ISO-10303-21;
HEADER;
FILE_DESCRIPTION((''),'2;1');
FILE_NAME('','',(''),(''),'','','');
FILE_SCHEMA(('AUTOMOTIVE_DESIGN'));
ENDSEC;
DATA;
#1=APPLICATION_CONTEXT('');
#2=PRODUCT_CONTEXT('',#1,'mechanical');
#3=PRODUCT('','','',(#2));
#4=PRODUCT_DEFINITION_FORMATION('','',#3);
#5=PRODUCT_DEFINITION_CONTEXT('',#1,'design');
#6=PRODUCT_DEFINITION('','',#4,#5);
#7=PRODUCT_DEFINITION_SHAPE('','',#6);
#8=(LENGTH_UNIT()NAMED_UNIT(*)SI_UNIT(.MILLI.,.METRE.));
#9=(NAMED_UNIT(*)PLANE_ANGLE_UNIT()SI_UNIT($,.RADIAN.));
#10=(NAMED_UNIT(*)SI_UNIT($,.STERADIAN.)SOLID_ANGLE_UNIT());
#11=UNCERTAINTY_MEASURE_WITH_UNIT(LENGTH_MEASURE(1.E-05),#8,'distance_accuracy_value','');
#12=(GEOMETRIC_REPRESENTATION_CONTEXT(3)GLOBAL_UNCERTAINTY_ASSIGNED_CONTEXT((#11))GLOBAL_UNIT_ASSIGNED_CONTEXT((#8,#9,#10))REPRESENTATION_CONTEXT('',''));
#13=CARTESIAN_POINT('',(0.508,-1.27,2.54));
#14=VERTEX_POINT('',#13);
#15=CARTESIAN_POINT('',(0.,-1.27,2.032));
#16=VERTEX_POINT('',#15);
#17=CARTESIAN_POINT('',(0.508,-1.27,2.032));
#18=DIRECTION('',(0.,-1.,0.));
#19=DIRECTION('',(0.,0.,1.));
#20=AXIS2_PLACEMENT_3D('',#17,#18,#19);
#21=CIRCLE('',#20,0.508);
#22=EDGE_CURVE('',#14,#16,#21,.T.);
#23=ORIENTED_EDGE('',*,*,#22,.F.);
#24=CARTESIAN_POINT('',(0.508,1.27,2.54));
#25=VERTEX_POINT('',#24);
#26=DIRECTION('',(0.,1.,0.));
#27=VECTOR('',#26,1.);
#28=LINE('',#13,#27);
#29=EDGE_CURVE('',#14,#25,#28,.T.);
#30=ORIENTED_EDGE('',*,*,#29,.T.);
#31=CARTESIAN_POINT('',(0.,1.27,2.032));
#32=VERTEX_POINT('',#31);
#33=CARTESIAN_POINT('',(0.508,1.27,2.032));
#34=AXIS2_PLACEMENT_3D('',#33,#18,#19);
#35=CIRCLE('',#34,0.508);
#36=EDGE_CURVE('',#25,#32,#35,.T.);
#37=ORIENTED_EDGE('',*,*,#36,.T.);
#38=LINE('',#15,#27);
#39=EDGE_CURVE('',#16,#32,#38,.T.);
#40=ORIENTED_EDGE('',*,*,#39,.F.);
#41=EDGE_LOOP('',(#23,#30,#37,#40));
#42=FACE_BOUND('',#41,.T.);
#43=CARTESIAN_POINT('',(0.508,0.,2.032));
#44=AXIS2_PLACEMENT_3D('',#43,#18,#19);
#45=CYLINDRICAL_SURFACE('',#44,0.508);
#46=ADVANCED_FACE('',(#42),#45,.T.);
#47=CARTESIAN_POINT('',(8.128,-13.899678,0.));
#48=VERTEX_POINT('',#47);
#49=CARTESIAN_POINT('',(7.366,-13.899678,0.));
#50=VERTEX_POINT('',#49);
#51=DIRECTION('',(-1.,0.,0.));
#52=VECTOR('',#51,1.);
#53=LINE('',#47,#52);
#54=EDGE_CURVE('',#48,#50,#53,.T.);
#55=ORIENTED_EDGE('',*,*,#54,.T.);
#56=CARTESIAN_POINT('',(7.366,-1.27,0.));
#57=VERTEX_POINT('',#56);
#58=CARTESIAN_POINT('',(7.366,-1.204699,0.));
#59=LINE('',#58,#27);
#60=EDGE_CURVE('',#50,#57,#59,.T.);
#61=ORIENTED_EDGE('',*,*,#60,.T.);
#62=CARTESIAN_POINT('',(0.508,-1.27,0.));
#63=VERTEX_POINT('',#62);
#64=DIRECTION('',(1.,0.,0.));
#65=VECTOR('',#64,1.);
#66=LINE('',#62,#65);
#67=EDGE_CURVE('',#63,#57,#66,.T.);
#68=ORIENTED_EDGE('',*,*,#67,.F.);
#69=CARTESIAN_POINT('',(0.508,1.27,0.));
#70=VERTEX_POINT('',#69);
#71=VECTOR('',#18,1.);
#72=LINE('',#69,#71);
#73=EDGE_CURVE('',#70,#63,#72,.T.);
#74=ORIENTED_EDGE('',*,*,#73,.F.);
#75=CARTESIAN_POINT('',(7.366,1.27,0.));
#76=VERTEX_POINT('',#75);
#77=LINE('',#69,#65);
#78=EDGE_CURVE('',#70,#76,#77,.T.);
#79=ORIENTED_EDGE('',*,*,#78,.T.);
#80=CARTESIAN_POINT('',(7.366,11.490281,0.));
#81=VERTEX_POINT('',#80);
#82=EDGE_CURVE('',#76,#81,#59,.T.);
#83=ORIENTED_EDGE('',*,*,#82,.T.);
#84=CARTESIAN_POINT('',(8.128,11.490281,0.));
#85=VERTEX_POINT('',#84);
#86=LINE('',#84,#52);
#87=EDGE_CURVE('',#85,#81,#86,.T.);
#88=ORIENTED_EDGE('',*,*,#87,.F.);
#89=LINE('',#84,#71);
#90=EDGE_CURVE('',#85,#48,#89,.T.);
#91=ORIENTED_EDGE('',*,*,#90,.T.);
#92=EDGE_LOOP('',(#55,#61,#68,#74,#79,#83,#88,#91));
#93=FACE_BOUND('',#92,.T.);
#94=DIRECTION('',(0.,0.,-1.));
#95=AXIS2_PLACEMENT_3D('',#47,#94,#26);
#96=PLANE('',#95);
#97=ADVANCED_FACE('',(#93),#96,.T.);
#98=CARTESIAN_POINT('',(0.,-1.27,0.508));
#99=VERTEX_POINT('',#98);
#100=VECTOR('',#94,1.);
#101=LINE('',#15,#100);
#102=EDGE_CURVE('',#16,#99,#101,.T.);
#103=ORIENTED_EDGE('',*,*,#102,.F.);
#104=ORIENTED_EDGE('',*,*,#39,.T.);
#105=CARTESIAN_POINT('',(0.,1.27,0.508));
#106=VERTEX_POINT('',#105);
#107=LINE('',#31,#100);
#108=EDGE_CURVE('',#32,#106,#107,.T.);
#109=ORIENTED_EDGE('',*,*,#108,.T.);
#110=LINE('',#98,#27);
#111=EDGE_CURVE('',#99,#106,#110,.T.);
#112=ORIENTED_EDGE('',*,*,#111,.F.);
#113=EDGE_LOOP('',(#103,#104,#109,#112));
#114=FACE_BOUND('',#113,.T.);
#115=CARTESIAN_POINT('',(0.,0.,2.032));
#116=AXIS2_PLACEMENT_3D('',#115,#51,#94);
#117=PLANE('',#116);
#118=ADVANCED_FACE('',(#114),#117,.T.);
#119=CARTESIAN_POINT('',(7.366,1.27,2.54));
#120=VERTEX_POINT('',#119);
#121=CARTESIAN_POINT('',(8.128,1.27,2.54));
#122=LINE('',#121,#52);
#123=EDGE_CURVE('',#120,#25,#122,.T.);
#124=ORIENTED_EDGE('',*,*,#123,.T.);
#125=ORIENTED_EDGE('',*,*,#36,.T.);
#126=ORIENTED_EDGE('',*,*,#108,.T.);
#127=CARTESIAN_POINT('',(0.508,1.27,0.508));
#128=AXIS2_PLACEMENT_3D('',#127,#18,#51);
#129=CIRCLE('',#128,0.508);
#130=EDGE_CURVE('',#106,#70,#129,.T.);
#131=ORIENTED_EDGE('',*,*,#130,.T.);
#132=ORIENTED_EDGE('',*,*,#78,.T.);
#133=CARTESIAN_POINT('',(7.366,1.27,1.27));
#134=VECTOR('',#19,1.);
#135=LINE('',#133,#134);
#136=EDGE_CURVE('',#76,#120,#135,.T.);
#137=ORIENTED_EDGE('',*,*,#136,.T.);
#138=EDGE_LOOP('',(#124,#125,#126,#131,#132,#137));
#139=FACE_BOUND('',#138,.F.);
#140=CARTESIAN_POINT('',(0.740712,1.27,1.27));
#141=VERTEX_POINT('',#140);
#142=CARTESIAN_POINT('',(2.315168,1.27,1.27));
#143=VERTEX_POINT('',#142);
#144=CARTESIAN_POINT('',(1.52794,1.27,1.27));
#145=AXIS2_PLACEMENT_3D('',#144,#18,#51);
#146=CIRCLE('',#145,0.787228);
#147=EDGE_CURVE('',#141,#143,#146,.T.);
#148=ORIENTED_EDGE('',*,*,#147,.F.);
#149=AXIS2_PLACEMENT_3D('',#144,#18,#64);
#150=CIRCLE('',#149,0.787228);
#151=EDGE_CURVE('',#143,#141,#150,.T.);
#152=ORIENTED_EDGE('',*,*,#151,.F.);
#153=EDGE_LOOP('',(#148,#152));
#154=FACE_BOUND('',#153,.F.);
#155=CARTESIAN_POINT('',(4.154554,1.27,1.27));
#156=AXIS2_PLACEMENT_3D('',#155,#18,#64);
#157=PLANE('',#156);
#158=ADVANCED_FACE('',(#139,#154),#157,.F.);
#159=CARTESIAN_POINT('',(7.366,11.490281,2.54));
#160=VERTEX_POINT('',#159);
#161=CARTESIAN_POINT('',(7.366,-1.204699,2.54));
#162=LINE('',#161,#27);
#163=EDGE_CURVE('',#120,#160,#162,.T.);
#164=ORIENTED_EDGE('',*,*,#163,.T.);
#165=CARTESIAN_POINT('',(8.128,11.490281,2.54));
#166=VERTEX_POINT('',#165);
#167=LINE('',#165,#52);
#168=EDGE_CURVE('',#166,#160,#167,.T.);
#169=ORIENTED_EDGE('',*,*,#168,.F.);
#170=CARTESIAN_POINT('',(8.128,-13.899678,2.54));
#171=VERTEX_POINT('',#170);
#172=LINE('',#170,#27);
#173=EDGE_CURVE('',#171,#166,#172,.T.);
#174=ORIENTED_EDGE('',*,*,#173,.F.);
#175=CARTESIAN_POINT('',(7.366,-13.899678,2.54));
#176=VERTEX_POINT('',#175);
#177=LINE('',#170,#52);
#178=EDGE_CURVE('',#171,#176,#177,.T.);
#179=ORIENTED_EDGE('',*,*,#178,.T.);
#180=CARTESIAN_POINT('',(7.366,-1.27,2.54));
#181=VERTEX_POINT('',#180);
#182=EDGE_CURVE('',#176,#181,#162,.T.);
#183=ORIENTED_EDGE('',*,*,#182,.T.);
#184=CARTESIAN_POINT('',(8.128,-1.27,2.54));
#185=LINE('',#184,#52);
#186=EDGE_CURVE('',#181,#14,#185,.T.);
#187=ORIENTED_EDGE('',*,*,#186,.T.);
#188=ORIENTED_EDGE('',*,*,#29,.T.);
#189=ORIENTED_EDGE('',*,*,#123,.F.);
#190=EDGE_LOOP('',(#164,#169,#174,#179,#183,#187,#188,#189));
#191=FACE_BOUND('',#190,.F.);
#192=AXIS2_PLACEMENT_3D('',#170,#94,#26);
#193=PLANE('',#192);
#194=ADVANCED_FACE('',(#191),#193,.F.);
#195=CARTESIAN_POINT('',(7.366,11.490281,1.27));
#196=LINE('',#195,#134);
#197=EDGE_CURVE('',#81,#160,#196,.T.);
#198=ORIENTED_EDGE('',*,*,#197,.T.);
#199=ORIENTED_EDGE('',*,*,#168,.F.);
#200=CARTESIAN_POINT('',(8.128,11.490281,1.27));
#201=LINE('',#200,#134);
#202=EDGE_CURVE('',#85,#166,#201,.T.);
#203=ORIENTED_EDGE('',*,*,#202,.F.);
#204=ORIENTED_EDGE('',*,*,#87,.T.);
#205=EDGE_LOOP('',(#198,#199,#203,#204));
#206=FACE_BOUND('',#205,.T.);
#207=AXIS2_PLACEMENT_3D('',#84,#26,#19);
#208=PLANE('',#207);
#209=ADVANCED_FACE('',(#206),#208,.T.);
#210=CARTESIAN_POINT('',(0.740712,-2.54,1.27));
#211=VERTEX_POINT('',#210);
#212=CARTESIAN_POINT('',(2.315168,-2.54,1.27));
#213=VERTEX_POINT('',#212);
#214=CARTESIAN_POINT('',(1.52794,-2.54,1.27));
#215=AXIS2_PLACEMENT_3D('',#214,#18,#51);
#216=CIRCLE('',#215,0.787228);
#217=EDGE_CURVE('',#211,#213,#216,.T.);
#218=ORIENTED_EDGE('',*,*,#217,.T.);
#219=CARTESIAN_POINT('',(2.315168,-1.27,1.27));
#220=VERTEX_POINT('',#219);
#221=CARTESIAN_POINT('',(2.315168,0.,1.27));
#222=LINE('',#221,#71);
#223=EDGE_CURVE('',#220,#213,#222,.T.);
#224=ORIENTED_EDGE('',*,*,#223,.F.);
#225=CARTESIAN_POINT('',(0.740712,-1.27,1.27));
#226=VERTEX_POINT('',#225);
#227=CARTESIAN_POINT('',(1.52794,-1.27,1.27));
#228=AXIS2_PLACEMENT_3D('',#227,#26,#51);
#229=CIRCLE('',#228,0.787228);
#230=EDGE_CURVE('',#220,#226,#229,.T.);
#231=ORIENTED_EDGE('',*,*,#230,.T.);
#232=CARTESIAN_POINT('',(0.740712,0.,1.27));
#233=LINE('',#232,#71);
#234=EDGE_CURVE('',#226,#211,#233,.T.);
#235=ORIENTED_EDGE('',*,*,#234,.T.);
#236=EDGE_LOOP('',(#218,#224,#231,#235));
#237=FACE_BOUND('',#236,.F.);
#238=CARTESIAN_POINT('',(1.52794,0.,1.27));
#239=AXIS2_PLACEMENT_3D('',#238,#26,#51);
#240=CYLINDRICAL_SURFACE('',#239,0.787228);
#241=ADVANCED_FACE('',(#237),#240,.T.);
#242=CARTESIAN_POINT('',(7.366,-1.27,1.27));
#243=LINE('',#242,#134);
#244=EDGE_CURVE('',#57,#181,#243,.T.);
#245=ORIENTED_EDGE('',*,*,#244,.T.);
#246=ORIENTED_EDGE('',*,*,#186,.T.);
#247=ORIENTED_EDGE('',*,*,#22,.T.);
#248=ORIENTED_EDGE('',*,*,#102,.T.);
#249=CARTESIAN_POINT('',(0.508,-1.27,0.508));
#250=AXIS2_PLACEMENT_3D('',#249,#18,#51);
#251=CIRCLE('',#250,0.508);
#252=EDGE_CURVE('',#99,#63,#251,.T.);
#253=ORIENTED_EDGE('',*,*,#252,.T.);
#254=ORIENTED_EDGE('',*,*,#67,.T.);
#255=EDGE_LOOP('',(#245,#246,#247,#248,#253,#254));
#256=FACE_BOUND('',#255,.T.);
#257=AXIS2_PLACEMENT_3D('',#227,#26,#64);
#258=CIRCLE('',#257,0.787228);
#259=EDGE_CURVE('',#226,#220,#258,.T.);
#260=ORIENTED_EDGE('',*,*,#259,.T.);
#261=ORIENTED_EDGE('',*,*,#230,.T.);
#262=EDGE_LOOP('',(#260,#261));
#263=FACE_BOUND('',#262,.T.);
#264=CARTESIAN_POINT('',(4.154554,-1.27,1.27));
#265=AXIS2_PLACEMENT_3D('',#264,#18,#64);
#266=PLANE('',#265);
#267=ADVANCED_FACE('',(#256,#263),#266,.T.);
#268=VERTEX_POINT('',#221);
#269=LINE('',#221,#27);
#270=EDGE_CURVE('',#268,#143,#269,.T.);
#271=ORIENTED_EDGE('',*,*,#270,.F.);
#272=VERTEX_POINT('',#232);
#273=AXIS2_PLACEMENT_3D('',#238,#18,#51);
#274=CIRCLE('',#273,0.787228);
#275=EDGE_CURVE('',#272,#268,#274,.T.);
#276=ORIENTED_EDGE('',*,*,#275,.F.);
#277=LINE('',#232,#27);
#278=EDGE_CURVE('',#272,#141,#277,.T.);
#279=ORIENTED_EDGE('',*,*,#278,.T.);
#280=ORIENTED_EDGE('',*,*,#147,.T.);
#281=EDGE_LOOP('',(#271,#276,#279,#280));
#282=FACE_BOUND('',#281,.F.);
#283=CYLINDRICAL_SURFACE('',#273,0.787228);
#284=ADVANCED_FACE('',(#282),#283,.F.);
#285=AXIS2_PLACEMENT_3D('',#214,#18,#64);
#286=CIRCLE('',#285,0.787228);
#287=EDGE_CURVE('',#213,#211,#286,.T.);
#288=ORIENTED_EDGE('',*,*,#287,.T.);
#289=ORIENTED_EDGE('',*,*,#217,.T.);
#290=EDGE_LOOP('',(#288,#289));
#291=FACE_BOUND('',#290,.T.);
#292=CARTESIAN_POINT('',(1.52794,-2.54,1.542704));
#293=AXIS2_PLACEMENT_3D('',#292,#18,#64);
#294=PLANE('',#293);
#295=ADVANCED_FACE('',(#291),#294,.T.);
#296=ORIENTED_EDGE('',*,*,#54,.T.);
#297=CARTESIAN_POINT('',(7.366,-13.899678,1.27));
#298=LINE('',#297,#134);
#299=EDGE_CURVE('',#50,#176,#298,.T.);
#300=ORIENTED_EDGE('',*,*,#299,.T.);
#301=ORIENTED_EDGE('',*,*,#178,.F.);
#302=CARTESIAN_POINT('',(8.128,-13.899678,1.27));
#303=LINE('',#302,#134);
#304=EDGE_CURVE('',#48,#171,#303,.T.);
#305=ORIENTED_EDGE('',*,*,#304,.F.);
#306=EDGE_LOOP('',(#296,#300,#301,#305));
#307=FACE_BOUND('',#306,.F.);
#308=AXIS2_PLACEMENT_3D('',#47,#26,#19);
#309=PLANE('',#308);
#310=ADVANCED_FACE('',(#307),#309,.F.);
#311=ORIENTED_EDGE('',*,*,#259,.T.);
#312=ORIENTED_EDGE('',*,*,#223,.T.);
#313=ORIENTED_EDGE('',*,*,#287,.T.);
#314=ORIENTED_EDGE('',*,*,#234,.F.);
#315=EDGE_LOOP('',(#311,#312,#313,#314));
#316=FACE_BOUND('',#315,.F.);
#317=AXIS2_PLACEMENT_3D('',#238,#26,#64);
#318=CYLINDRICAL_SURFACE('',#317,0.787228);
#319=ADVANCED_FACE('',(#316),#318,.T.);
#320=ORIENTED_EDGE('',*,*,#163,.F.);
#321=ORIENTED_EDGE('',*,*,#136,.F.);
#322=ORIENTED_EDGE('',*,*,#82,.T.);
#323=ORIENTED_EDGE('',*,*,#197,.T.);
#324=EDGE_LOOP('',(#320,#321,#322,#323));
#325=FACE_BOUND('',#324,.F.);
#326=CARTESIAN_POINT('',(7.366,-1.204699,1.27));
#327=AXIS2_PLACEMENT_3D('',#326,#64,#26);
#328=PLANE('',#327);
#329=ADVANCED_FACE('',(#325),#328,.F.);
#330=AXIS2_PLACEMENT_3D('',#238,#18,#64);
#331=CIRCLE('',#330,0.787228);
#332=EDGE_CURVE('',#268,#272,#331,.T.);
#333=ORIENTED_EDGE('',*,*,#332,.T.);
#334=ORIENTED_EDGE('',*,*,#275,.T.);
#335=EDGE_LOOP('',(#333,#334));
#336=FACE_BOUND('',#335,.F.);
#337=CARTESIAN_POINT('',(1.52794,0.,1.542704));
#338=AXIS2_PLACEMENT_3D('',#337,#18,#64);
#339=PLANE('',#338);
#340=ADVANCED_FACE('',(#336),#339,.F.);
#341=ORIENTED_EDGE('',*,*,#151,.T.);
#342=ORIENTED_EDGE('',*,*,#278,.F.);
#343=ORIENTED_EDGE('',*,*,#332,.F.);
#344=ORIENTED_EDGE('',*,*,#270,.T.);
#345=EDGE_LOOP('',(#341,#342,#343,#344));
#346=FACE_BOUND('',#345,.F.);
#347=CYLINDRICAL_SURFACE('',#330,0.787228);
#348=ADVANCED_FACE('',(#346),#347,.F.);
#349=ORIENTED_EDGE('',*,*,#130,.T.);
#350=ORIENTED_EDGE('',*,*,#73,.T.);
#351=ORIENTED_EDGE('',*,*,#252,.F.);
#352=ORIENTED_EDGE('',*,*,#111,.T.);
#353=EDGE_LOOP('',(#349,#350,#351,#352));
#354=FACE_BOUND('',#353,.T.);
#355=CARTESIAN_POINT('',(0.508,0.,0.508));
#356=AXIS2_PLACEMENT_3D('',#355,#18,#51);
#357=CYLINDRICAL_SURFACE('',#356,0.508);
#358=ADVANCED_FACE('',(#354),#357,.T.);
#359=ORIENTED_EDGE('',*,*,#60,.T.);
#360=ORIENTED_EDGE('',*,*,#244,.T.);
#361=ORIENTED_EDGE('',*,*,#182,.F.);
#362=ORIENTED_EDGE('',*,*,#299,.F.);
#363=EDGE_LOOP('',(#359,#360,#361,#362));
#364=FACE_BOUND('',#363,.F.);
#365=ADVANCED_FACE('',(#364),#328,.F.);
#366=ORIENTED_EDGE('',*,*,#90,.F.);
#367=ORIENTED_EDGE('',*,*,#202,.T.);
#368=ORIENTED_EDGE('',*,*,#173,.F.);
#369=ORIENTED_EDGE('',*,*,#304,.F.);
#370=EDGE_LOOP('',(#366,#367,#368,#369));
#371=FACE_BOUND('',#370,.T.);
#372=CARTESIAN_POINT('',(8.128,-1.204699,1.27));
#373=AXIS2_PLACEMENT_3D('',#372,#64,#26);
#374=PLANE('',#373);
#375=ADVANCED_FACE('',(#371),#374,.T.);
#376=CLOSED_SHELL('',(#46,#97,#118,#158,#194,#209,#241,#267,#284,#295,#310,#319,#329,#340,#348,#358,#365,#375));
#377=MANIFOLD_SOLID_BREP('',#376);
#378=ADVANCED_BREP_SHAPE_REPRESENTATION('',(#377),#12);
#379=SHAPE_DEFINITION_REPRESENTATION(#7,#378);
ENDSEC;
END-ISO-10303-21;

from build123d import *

# Parameters (mm, degrees)
F1_DEPTH = 1.27
F2_W     = 25.3899591044
F2_H     = 2.54
F3_DEPTH = 0.762
F4_DEPTH = 2.54
F5_DEPTH = 25.4


with BuildPart() as f1:
    # F0 (on Front) → F1 (new body, symmetric)
    with BuildSketch(Plane.XZ):
        with BuildLine():
            ThreePointArc((0, 0.508), (0.1487897552, 0.1487897552), (0.508, 0))
            Line((0.508, 0), (8.128, 0))
            Line((8.128, 0), (8.128, 2.54))
            Line((8.128, 2.54), (0.508, 2.54))
            ThreePointArc((0.508, 2.54), (0.1487897552, 2.3912102448), (0, 2.032))
            Line((0, 2.032), (0, 1.27))
            Line((0, 1.27), (0, 0.508))
        make_face()
        with BuildLine():
            ThreePointArc((2.3151677185, 1.27), (1.5279400395, 0.4827723211), (0.7407123606, 1.27))
            ThreePointArc((0.7407123606, 1.27), (1.5279400395, 2.0572276789), (2.3151677185, 1.27))
        make_face(mode=Mode.SUBTRACT)
        with BuildLine():
            ThreePointArc((2.3151677185, 1.27), (1.5279400395, 2.0572276789), (0.7407123606, 1.27))
            Line((0.7407123606, 1.27), (2.3151677185, 1.27))
        make_face()
        with BuildLine():
            Line((2.3151677185, 1.27), (0.7407123606, 1.27))
            ThreePointArc((0.7407123606, 1.27), (1.5279400395, 0.4827723211), (2.3151677185, 1.27))
        make_face()
    extrude(amount=F1_DEPTH, both=True)

    # F2 (on face) → F3 (join)
    with BuildSketch(Plane.YZ.offset(8.128)):
        with Locations((-1.2046988122, 1.27)):
            Rectangle(F2_W, F2_H)
    extrude(amount=-F3_DEPTH)

    # F0 (on Front) → F4 (join)
    with BuildSketch(Plane.XZ):
        with BuildLine():
            ThreePointArc((2.3151677185, 1.27), (1.5279400395, 2.0572276789), (0.7407123606, 1.27))
            Line((0.7407123606, 1.27), (2.3151677185, 1.27))
        make_face()
        with BuildLine():
            Line((2.3151677185, 1.27), (0.7407123606, 1.27))
            ThreePointArc((0.7407123606, 1.27), (1.5279400395, 0.4827723211), (2.3151677185, 1.27))
        make_face()
    extrude(amount=F4_DEPTH)

    # F0 (on Front) → F5 (cut)
    with BuildSketch(Plane.XZ):
        with BuildLine():
            ThreePointArc((2.3151677185, 1.27), (1.5279400395, 2.0572276789), (0.7407123606, 1.27))
            Line((0.7407123606, 1.27), (2.3151677185, 1.27))
        make_face()
        with BuildLine():
            Line((2.3151677185, 1.27), (0.7407123606, 1.27))
            ThreePointArc((0.7407123606, 1.27), (1.5279400395, 0.4827723211), (2.3151677185, 1.27))
        make_face()
    extrude(amount=-F5_DEPTH, mode=Mode.SUBTRACT)


solid = f1.part
